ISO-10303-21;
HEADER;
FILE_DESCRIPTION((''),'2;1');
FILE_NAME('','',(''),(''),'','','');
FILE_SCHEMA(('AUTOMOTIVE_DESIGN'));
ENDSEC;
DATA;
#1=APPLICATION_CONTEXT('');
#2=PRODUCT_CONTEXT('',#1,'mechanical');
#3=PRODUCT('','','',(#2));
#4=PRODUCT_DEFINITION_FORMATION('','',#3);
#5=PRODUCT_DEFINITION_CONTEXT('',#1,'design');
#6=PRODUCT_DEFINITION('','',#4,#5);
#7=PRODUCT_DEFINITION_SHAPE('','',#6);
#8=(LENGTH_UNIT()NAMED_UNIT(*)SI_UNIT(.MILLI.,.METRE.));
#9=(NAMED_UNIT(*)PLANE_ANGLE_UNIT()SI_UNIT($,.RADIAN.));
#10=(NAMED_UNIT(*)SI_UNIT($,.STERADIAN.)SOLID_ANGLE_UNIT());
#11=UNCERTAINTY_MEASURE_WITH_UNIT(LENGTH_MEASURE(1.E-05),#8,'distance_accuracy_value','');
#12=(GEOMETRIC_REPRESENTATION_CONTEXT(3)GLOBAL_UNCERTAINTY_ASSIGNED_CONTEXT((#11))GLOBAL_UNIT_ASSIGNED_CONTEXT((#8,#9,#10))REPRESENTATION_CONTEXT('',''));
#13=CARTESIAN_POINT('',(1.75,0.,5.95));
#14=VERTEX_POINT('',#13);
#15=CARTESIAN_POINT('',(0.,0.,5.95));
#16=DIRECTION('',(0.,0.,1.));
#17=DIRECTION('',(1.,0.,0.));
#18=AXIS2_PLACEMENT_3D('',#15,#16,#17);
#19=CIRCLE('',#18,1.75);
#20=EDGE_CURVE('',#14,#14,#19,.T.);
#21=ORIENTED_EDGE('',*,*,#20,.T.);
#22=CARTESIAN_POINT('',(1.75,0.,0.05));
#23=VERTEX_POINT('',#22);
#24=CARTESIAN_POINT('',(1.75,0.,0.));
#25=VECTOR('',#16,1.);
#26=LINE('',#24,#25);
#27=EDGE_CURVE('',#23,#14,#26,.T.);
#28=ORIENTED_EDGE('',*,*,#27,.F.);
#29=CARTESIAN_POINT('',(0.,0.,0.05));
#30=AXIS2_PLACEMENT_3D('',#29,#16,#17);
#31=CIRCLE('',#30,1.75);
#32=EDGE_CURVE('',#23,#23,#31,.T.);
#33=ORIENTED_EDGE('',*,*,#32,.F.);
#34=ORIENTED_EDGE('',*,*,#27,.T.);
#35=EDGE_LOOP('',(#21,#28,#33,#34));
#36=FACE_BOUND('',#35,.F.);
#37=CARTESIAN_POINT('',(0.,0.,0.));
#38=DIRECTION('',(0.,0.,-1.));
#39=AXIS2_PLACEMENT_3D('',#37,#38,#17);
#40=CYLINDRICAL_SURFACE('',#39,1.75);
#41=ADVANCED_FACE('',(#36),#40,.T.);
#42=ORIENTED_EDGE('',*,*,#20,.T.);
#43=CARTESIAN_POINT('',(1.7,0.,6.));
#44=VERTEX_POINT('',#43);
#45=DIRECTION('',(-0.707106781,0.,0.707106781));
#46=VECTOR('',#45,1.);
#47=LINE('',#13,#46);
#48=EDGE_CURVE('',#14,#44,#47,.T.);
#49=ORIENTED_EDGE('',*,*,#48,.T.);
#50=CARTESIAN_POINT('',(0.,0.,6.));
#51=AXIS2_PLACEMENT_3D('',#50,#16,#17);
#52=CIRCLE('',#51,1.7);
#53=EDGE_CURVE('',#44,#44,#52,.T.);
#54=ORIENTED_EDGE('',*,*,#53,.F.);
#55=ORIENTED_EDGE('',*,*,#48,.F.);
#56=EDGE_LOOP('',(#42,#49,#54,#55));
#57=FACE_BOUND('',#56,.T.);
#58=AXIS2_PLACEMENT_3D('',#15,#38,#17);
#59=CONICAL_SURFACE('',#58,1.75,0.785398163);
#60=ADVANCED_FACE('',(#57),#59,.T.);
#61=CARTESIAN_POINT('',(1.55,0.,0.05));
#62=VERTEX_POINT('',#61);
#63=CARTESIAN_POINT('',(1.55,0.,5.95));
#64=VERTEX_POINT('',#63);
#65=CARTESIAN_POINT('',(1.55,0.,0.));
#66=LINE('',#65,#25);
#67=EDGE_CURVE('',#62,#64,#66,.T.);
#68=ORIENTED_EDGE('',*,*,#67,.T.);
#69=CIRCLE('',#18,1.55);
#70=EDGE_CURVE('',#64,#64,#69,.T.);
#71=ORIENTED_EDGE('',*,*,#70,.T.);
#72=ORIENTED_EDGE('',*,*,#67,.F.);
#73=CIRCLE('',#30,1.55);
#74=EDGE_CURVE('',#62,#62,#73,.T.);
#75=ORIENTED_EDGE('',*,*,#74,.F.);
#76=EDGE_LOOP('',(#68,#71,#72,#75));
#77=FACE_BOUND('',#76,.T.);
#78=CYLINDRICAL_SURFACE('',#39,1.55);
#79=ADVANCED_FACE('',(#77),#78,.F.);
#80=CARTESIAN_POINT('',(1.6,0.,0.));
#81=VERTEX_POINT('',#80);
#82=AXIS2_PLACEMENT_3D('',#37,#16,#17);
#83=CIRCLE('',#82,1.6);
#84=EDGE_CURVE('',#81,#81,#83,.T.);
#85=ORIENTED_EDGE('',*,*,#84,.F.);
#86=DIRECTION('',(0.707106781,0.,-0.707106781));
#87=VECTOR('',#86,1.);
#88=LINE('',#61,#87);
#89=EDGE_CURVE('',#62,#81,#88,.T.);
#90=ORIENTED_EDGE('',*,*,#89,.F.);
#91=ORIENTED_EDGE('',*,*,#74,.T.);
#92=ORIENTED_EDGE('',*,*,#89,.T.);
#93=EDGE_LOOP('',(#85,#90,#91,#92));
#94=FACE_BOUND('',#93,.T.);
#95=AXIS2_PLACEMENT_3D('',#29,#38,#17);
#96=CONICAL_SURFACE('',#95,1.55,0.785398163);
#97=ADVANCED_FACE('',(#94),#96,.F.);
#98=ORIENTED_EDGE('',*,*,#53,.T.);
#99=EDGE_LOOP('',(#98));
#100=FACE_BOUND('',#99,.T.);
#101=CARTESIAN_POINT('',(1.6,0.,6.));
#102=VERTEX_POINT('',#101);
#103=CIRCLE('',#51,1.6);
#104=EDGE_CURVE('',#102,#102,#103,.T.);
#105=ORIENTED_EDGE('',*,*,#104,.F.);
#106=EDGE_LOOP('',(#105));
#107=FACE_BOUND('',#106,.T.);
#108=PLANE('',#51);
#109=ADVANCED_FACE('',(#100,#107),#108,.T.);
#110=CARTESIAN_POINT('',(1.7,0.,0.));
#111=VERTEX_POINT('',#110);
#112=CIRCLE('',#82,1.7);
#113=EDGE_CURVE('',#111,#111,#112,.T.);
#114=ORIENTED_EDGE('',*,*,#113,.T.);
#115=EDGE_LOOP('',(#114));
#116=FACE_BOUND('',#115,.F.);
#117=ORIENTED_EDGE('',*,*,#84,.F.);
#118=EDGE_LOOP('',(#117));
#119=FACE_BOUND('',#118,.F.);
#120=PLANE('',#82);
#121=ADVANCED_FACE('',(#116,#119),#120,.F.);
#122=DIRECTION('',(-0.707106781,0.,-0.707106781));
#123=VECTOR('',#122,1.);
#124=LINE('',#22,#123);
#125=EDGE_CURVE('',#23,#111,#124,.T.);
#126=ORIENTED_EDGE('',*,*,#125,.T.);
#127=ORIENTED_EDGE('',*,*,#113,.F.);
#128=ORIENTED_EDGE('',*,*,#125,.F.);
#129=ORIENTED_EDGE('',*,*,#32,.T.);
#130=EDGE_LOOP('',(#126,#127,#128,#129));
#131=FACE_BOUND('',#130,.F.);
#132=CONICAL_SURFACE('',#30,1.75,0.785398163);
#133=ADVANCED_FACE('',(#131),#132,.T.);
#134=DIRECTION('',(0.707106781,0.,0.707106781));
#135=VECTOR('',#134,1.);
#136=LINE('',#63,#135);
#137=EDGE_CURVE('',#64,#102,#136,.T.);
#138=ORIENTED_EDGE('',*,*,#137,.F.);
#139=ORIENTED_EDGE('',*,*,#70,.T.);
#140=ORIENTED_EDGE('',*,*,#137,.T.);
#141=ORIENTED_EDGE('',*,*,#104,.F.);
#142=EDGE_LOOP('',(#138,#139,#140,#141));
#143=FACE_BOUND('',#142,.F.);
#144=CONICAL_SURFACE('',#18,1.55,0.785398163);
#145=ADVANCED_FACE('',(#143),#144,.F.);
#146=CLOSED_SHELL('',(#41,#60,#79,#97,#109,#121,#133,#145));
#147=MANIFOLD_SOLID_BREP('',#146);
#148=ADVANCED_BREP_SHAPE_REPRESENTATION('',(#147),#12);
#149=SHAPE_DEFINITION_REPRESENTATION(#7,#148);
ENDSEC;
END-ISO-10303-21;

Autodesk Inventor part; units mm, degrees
ref_plane "YZ Plane" through (0, 0, 0) normal (1, 0, 0) x (0, 1, 0)
ref_plane "XZ Plane" through (0, 0, 0) normal (0, 1, 0) x (-1, 0, 0)
ref_plane "XY Plane" through (0, 0, 0) normal (0, 0, 1) x (1, 0, 0)
sketch "Sketch1" plane through (0, 0, 0) normal (0, 0, 1) x (1, 0, 0)
  line L0 (0, -2.45) -> (0, 2.45) construction
  line L1 (-2.45, 0) -> (2.45, 0) construction
  circle A0 centre (0, 0) radius 1.75
  circle A1 centre (0, 0) radius 1.55
  dimension "d0" = 3.5
  dimension "d1" = 0.2
extrude "Extrusion1" add sketch "Sketch1" along normal blind 6
chamfer "Chamfer1" distance 0.05 angle 45 4 edges at (-1.75, 0, 6) (-1.55, 0, 6) (-1.75, 0, 0) (-1.55, 0, 0)
properties part number "OutputBeltTensionerSleeve 5mm"
